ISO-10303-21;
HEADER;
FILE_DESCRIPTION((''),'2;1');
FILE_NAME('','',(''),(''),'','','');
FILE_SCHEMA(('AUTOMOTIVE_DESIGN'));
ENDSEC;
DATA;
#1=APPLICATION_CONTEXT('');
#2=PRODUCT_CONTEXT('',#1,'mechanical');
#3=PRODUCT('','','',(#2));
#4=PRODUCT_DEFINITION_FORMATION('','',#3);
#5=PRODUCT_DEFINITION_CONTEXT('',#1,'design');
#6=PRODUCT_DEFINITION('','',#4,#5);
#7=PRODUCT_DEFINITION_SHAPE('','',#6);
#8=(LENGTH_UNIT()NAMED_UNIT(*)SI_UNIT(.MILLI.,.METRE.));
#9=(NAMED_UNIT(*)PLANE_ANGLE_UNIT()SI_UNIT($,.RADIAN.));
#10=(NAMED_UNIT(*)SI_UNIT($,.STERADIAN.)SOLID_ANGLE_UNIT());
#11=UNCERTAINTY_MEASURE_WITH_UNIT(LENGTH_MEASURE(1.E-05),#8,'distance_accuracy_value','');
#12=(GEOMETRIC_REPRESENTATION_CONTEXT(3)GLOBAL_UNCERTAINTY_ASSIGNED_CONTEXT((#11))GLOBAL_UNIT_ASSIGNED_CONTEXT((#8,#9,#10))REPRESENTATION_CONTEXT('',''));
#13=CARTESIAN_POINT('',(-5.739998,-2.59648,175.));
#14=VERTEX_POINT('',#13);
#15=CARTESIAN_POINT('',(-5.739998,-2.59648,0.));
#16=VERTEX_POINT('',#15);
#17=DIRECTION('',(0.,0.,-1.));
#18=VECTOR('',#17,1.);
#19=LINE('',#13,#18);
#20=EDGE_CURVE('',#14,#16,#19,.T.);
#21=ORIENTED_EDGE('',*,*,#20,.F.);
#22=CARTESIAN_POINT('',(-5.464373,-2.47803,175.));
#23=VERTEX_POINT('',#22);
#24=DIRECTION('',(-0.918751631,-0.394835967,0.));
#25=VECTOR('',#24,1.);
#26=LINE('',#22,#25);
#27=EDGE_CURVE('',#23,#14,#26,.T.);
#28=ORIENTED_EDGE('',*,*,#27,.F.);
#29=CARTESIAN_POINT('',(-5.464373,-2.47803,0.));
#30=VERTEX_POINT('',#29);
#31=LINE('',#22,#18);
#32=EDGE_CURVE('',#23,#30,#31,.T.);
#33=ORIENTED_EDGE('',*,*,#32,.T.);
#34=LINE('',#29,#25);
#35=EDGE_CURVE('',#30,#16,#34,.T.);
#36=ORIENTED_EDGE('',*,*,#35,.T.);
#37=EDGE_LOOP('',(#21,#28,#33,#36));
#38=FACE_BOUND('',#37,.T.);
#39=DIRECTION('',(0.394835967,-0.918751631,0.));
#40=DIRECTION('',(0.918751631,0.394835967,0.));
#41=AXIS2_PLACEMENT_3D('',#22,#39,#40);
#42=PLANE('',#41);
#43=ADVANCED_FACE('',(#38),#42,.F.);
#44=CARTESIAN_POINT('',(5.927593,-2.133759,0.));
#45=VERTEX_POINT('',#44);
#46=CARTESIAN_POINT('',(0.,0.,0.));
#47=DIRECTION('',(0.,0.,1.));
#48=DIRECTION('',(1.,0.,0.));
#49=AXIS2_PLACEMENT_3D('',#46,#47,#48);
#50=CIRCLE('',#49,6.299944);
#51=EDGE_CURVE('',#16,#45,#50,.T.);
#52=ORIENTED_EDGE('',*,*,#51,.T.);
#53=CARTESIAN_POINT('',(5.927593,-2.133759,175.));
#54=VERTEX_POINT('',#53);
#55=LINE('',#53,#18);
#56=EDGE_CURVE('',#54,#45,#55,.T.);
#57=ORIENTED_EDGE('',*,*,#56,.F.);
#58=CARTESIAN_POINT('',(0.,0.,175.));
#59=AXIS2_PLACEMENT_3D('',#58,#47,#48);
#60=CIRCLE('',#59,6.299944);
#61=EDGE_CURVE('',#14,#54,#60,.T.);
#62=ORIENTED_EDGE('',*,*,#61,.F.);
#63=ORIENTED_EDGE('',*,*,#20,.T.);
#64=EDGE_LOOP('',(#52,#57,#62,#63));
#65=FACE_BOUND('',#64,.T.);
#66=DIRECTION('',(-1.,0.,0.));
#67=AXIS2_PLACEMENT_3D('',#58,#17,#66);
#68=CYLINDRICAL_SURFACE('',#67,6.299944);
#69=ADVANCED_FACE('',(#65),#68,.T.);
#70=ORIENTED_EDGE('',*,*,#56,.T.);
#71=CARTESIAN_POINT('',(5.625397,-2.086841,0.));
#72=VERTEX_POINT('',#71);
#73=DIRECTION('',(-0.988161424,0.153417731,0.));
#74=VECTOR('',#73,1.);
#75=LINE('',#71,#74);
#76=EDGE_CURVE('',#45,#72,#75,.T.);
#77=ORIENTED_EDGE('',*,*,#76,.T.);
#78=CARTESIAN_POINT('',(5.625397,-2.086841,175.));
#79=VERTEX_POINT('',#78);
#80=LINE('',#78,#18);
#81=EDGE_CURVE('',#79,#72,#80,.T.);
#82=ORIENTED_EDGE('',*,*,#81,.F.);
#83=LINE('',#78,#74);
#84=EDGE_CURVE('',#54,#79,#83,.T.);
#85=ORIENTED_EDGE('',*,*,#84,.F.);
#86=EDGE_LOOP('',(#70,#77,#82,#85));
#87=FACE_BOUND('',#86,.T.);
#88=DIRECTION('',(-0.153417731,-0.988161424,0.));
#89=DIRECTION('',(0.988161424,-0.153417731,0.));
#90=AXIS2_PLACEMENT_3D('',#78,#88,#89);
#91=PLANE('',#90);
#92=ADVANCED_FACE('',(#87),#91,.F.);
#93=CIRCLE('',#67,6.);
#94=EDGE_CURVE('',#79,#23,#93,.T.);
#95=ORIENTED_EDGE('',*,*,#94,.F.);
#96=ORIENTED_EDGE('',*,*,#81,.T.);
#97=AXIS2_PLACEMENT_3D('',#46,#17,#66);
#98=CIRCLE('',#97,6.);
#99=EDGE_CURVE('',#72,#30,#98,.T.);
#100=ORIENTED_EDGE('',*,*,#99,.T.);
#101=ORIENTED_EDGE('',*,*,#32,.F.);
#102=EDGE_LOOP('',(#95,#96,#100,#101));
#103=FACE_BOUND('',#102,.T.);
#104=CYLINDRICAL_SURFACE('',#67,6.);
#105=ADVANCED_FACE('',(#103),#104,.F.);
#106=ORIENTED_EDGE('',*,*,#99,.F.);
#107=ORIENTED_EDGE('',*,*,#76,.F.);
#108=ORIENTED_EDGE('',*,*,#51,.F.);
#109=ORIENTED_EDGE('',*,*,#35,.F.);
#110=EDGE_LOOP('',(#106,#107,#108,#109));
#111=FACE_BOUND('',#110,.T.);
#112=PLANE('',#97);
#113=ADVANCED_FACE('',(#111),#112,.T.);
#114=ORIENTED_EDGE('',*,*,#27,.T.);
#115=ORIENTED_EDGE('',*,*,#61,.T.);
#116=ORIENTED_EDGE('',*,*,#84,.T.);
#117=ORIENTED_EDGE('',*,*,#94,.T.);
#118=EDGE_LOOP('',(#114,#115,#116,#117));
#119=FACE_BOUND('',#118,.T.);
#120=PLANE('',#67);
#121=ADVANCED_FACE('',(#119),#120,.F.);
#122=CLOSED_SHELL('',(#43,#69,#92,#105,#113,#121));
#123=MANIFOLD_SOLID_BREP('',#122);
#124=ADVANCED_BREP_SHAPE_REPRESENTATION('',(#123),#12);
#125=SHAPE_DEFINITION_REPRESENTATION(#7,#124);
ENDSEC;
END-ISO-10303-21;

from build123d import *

# Parameters (mm, degrees)
BOSS_EXTRUDE1_DEPTH = 175


with BuildPart() as part:
    # Sketch1 → Boss-Extrude1 (new body)
    with BuildSketch(Plane.XY):
        with BuildLine():
            Line((-5.464372768, -2.478029511), (-5.739998257, -2.596480301))
            ThreePointArc((-5.739998257, -2.596480301), (0.249651411, -6.294995164), (5.927593448, -2.133758622))
            Line((5.927593448, -2.133758622), (5.62539731, -2.086840938))
            ThreePointArc((5.62539731, -2.086840938), (0.211516786, -5.996270562), (-5.464372768, -2.478029511))
        make_face()
    extrude(amount=BOSS_EXTRUDE1_DEPTH)


solid = part.part
